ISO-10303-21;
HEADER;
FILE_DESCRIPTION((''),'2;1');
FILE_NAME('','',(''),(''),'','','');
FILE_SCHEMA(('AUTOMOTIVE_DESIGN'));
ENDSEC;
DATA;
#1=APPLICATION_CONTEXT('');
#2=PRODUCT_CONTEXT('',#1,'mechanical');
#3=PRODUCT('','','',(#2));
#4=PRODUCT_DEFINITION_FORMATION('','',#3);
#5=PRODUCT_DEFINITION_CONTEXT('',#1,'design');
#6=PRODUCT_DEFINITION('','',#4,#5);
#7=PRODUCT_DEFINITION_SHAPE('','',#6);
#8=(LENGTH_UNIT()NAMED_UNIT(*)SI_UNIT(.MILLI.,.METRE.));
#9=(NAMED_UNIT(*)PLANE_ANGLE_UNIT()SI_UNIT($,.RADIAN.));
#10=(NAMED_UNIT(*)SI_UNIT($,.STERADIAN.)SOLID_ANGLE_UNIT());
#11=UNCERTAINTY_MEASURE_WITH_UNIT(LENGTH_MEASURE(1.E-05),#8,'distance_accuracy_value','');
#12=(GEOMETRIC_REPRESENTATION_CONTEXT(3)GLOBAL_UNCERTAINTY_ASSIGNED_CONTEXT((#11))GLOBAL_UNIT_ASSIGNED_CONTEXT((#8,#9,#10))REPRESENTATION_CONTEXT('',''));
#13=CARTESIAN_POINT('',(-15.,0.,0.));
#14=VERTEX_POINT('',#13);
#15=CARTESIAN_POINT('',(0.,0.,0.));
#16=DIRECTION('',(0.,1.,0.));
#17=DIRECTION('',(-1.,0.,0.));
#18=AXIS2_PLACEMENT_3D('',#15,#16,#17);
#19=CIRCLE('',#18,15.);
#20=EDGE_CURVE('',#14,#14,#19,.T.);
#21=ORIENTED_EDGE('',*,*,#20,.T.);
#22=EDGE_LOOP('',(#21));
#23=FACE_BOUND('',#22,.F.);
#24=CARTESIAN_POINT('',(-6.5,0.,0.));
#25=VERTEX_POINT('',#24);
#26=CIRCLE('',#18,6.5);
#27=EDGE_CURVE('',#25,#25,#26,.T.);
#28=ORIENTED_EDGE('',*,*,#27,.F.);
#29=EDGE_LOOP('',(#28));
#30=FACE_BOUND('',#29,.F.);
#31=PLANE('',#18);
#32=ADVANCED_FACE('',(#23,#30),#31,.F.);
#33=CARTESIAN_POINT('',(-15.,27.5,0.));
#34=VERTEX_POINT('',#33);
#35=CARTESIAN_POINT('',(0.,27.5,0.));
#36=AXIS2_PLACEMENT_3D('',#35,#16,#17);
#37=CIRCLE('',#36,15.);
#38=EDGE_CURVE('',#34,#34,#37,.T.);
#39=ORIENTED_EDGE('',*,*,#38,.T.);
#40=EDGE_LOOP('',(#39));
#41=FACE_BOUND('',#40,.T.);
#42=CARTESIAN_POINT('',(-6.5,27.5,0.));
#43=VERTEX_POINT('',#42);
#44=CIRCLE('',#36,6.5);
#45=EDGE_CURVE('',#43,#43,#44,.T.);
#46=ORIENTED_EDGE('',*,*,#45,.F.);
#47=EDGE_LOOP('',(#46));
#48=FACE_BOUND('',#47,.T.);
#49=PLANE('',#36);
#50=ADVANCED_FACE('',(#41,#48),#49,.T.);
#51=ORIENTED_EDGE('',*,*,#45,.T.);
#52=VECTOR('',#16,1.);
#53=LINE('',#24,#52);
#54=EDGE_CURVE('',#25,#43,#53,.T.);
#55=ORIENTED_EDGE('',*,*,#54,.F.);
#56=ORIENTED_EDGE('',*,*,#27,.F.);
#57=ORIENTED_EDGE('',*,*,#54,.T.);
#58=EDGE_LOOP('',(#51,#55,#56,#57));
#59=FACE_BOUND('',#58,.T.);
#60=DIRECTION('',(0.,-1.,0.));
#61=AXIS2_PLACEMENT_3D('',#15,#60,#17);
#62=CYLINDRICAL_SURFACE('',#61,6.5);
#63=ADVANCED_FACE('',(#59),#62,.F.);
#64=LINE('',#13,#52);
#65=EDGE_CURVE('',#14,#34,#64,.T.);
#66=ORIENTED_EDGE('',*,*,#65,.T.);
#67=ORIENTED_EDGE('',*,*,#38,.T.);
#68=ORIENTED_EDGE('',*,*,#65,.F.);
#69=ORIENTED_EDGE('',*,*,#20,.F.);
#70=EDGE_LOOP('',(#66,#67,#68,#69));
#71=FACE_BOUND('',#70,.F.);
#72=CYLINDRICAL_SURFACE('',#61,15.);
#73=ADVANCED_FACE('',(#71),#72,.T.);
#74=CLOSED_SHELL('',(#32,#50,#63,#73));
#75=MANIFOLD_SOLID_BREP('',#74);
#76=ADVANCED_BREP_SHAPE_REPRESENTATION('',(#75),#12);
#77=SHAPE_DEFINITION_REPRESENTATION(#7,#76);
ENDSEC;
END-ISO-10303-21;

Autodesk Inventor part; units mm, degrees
ref_plane "YZ Plane" through (0, 0, 0) normal (1, 0, 0) x (0, 1, 0)
ref_plane "XZ Plane" through (0, 0, 0) normal (0, 1, 0) x (-1, 0, 0)
ref_plane "XY Plane" through (0, 0, 0) normal (0, 0, 1) x (1, 0, 0)
sketch "スケッチ1" plane through (0, 0, 0) normal (0, 1, 0) x (-1, 0, 0)
  circle A0 centre (0, 0) radius 15
  circle A1 centre (0, 0) radius 6.5
  dimension "d0" = 30
  dimension "d1" = 13
extrude "押し出し1" add sketch "スケッチ1" along normal blind 27.5
properties part number "spacer_wide" material "木材 (カエデ材)"
